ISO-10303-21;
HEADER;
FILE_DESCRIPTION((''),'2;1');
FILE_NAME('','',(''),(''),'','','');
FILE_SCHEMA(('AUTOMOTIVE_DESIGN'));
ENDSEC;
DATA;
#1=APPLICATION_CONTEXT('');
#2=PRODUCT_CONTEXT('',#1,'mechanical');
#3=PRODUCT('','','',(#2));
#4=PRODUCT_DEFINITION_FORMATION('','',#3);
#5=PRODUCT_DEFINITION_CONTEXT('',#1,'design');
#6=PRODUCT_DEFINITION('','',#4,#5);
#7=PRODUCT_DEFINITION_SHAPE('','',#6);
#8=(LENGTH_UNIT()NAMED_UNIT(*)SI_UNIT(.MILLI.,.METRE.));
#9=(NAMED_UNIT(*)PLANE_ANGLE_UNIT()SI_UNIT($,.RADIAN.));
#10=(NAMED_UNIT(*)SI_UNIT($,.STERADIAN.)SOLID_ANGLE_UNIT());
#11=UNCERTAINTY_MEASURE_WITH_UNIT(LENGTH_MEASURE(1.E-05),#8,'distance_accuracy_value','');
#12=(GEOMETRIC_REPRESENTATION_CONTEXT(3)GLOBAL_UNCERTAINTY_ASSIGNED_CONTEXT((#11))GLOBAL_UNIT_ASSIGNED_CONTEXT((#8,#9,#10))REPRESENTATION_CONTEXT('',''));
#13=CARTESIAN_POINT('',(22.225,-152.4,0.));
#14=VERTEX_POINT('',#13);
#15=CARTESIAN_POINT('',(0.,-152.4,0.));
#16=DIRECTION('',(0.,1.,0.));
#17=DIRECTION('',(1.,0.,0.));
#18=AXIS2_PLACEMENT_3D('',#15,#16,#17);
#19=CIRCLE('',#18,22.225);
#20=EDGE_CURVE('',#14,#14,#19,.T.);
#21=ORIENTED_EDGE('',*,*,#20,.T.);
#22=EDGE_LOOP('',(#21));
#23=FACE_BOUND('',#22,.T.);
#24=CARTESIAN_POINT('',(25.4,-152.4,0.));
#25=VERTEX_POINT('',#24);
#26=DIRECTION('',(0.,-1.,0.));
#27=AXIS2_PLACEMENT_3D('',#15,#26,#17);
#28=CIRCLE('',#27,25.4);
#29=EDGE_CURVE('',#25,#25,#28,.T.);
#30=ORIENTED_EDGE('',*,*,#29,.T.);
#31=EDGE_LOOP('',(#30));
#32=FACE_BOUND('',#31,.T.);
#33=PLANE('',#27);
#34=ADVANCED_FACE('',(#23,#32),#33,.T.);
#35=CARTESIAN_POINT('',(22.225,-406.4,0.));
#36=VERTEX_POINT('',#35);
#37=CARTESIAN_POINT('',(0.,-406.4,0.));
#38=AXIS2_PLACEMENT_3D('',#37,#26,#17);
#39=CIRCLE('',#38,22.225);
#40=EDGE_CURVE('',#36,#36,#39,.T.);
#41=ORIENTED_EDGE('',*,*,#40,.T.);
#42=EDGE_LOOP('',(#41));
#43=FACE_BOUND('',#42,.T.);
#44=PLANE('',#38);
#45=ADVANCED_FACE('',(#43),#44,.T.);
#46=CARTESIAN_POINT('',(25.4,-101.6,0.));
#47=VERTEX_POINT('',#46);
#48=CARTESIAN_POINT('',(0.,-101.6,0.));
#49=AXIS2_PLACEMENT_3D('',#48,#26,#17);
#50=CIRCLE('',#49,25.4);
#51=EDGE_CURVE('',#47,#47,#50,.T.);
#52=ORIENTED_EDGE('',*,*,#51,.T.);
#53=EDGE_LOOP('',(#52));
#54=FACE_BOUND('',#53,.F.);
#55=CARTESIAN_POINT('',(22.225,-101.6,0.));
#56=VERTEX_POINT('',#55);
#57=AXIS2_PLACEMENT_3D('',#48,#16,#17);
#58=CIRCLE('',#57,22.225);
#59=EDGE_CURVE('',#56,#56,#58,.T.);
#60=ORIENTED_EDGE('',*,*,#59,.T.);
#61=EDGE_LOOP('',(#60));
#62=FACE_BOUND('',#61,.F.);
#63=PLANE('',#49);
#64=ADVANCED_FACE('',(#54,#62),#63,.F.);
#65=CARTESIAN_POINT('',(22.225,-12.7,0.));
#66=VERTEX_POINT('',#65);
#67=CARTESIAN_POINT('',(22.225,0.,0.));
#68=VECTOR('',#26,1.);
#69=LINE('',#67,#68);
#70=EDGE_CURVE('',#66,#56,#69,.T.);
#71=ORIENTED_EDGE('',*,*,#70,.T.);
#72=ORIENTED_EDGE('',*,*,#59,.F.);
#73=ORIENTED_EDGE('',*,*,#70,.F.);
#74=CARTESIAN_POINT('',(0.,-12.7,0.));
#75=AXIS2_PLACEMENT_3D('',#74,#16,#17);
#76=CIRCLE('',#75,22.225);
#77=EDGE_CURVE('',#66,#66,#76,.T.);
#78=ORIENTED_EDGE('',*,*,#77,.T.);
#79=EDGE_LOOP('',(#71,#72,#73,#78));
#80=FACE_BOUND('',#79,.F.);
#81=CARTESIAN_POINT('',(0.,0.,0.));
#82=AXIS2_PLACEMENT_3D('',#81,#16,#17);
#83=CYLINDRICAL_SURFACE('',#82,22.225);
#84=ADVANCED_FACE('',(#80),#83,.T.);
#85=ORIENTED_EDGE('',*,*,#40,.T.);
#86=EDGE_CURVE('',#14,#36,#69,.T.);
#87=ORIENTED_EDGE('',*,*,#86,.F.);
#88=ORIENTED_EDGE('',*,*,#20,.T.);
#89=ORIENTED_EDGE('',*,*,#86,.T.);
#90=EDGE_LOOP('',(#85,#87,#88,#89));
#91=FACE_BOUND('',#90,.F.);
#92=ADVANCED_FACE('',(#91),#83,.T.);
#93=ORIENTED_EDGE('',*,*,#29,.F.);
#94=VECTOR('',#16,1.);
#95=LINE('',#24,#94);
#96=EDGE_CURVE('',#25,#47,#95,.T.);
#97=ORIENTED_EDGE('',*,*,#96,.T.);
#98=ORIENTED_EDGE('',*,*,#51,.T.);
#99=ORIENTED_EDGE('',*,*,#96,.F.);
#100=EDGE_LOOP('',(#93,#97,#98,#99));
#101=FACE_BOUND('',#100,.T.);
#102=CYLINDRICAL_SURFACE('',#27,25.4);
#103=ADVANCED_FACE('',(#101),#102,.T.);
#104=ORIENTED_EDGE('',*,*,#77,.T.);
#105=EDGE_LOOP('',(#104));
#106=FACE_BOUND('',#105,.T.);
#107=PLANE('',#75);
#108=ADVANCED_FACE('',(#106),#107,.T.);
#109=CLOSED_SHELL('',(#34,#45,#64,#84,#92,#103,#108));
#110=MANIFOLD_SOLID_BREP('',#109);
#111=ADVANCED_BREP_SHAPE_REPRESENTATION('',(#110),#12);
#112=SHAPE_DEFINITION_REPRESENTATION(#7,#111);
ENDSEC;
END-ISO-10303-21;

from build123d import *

# Parameters (mm, degrees)
F0_R      = 22.225
F1_DEPTH  = 406.4
F3_R      = 25.4
F4_DEPTH  = 50.8
F1_FACE_R = 22.225
F5_DEPTH  = 12.7


with BuildPart() as f1:
    # F0 (on Front) → F1 (new body)
    with BuildSketch(Plane.XZ):
        Circle(F0_R)
    extrude(amount=F1_DEPTH)

    # F3 (on offset) → F4 (join)
    with BuildSketch(Plane.XZ.offset(152.4)):
        Circle(F3_R)
    extrude(amount=-F4_DEPTH)

    # F1_face (on face) → F5 (cut)
    with BuildSketch(Plane(origin=(0, 0, 0), x_dir=(1, 0, 0), z_dir=(0, 1, 0))):
        Circle(F1_FACE_R)
    extrude(amount=-F5_DEPTH, mode=Mode.SUBTRACT)


solid = f1.part
